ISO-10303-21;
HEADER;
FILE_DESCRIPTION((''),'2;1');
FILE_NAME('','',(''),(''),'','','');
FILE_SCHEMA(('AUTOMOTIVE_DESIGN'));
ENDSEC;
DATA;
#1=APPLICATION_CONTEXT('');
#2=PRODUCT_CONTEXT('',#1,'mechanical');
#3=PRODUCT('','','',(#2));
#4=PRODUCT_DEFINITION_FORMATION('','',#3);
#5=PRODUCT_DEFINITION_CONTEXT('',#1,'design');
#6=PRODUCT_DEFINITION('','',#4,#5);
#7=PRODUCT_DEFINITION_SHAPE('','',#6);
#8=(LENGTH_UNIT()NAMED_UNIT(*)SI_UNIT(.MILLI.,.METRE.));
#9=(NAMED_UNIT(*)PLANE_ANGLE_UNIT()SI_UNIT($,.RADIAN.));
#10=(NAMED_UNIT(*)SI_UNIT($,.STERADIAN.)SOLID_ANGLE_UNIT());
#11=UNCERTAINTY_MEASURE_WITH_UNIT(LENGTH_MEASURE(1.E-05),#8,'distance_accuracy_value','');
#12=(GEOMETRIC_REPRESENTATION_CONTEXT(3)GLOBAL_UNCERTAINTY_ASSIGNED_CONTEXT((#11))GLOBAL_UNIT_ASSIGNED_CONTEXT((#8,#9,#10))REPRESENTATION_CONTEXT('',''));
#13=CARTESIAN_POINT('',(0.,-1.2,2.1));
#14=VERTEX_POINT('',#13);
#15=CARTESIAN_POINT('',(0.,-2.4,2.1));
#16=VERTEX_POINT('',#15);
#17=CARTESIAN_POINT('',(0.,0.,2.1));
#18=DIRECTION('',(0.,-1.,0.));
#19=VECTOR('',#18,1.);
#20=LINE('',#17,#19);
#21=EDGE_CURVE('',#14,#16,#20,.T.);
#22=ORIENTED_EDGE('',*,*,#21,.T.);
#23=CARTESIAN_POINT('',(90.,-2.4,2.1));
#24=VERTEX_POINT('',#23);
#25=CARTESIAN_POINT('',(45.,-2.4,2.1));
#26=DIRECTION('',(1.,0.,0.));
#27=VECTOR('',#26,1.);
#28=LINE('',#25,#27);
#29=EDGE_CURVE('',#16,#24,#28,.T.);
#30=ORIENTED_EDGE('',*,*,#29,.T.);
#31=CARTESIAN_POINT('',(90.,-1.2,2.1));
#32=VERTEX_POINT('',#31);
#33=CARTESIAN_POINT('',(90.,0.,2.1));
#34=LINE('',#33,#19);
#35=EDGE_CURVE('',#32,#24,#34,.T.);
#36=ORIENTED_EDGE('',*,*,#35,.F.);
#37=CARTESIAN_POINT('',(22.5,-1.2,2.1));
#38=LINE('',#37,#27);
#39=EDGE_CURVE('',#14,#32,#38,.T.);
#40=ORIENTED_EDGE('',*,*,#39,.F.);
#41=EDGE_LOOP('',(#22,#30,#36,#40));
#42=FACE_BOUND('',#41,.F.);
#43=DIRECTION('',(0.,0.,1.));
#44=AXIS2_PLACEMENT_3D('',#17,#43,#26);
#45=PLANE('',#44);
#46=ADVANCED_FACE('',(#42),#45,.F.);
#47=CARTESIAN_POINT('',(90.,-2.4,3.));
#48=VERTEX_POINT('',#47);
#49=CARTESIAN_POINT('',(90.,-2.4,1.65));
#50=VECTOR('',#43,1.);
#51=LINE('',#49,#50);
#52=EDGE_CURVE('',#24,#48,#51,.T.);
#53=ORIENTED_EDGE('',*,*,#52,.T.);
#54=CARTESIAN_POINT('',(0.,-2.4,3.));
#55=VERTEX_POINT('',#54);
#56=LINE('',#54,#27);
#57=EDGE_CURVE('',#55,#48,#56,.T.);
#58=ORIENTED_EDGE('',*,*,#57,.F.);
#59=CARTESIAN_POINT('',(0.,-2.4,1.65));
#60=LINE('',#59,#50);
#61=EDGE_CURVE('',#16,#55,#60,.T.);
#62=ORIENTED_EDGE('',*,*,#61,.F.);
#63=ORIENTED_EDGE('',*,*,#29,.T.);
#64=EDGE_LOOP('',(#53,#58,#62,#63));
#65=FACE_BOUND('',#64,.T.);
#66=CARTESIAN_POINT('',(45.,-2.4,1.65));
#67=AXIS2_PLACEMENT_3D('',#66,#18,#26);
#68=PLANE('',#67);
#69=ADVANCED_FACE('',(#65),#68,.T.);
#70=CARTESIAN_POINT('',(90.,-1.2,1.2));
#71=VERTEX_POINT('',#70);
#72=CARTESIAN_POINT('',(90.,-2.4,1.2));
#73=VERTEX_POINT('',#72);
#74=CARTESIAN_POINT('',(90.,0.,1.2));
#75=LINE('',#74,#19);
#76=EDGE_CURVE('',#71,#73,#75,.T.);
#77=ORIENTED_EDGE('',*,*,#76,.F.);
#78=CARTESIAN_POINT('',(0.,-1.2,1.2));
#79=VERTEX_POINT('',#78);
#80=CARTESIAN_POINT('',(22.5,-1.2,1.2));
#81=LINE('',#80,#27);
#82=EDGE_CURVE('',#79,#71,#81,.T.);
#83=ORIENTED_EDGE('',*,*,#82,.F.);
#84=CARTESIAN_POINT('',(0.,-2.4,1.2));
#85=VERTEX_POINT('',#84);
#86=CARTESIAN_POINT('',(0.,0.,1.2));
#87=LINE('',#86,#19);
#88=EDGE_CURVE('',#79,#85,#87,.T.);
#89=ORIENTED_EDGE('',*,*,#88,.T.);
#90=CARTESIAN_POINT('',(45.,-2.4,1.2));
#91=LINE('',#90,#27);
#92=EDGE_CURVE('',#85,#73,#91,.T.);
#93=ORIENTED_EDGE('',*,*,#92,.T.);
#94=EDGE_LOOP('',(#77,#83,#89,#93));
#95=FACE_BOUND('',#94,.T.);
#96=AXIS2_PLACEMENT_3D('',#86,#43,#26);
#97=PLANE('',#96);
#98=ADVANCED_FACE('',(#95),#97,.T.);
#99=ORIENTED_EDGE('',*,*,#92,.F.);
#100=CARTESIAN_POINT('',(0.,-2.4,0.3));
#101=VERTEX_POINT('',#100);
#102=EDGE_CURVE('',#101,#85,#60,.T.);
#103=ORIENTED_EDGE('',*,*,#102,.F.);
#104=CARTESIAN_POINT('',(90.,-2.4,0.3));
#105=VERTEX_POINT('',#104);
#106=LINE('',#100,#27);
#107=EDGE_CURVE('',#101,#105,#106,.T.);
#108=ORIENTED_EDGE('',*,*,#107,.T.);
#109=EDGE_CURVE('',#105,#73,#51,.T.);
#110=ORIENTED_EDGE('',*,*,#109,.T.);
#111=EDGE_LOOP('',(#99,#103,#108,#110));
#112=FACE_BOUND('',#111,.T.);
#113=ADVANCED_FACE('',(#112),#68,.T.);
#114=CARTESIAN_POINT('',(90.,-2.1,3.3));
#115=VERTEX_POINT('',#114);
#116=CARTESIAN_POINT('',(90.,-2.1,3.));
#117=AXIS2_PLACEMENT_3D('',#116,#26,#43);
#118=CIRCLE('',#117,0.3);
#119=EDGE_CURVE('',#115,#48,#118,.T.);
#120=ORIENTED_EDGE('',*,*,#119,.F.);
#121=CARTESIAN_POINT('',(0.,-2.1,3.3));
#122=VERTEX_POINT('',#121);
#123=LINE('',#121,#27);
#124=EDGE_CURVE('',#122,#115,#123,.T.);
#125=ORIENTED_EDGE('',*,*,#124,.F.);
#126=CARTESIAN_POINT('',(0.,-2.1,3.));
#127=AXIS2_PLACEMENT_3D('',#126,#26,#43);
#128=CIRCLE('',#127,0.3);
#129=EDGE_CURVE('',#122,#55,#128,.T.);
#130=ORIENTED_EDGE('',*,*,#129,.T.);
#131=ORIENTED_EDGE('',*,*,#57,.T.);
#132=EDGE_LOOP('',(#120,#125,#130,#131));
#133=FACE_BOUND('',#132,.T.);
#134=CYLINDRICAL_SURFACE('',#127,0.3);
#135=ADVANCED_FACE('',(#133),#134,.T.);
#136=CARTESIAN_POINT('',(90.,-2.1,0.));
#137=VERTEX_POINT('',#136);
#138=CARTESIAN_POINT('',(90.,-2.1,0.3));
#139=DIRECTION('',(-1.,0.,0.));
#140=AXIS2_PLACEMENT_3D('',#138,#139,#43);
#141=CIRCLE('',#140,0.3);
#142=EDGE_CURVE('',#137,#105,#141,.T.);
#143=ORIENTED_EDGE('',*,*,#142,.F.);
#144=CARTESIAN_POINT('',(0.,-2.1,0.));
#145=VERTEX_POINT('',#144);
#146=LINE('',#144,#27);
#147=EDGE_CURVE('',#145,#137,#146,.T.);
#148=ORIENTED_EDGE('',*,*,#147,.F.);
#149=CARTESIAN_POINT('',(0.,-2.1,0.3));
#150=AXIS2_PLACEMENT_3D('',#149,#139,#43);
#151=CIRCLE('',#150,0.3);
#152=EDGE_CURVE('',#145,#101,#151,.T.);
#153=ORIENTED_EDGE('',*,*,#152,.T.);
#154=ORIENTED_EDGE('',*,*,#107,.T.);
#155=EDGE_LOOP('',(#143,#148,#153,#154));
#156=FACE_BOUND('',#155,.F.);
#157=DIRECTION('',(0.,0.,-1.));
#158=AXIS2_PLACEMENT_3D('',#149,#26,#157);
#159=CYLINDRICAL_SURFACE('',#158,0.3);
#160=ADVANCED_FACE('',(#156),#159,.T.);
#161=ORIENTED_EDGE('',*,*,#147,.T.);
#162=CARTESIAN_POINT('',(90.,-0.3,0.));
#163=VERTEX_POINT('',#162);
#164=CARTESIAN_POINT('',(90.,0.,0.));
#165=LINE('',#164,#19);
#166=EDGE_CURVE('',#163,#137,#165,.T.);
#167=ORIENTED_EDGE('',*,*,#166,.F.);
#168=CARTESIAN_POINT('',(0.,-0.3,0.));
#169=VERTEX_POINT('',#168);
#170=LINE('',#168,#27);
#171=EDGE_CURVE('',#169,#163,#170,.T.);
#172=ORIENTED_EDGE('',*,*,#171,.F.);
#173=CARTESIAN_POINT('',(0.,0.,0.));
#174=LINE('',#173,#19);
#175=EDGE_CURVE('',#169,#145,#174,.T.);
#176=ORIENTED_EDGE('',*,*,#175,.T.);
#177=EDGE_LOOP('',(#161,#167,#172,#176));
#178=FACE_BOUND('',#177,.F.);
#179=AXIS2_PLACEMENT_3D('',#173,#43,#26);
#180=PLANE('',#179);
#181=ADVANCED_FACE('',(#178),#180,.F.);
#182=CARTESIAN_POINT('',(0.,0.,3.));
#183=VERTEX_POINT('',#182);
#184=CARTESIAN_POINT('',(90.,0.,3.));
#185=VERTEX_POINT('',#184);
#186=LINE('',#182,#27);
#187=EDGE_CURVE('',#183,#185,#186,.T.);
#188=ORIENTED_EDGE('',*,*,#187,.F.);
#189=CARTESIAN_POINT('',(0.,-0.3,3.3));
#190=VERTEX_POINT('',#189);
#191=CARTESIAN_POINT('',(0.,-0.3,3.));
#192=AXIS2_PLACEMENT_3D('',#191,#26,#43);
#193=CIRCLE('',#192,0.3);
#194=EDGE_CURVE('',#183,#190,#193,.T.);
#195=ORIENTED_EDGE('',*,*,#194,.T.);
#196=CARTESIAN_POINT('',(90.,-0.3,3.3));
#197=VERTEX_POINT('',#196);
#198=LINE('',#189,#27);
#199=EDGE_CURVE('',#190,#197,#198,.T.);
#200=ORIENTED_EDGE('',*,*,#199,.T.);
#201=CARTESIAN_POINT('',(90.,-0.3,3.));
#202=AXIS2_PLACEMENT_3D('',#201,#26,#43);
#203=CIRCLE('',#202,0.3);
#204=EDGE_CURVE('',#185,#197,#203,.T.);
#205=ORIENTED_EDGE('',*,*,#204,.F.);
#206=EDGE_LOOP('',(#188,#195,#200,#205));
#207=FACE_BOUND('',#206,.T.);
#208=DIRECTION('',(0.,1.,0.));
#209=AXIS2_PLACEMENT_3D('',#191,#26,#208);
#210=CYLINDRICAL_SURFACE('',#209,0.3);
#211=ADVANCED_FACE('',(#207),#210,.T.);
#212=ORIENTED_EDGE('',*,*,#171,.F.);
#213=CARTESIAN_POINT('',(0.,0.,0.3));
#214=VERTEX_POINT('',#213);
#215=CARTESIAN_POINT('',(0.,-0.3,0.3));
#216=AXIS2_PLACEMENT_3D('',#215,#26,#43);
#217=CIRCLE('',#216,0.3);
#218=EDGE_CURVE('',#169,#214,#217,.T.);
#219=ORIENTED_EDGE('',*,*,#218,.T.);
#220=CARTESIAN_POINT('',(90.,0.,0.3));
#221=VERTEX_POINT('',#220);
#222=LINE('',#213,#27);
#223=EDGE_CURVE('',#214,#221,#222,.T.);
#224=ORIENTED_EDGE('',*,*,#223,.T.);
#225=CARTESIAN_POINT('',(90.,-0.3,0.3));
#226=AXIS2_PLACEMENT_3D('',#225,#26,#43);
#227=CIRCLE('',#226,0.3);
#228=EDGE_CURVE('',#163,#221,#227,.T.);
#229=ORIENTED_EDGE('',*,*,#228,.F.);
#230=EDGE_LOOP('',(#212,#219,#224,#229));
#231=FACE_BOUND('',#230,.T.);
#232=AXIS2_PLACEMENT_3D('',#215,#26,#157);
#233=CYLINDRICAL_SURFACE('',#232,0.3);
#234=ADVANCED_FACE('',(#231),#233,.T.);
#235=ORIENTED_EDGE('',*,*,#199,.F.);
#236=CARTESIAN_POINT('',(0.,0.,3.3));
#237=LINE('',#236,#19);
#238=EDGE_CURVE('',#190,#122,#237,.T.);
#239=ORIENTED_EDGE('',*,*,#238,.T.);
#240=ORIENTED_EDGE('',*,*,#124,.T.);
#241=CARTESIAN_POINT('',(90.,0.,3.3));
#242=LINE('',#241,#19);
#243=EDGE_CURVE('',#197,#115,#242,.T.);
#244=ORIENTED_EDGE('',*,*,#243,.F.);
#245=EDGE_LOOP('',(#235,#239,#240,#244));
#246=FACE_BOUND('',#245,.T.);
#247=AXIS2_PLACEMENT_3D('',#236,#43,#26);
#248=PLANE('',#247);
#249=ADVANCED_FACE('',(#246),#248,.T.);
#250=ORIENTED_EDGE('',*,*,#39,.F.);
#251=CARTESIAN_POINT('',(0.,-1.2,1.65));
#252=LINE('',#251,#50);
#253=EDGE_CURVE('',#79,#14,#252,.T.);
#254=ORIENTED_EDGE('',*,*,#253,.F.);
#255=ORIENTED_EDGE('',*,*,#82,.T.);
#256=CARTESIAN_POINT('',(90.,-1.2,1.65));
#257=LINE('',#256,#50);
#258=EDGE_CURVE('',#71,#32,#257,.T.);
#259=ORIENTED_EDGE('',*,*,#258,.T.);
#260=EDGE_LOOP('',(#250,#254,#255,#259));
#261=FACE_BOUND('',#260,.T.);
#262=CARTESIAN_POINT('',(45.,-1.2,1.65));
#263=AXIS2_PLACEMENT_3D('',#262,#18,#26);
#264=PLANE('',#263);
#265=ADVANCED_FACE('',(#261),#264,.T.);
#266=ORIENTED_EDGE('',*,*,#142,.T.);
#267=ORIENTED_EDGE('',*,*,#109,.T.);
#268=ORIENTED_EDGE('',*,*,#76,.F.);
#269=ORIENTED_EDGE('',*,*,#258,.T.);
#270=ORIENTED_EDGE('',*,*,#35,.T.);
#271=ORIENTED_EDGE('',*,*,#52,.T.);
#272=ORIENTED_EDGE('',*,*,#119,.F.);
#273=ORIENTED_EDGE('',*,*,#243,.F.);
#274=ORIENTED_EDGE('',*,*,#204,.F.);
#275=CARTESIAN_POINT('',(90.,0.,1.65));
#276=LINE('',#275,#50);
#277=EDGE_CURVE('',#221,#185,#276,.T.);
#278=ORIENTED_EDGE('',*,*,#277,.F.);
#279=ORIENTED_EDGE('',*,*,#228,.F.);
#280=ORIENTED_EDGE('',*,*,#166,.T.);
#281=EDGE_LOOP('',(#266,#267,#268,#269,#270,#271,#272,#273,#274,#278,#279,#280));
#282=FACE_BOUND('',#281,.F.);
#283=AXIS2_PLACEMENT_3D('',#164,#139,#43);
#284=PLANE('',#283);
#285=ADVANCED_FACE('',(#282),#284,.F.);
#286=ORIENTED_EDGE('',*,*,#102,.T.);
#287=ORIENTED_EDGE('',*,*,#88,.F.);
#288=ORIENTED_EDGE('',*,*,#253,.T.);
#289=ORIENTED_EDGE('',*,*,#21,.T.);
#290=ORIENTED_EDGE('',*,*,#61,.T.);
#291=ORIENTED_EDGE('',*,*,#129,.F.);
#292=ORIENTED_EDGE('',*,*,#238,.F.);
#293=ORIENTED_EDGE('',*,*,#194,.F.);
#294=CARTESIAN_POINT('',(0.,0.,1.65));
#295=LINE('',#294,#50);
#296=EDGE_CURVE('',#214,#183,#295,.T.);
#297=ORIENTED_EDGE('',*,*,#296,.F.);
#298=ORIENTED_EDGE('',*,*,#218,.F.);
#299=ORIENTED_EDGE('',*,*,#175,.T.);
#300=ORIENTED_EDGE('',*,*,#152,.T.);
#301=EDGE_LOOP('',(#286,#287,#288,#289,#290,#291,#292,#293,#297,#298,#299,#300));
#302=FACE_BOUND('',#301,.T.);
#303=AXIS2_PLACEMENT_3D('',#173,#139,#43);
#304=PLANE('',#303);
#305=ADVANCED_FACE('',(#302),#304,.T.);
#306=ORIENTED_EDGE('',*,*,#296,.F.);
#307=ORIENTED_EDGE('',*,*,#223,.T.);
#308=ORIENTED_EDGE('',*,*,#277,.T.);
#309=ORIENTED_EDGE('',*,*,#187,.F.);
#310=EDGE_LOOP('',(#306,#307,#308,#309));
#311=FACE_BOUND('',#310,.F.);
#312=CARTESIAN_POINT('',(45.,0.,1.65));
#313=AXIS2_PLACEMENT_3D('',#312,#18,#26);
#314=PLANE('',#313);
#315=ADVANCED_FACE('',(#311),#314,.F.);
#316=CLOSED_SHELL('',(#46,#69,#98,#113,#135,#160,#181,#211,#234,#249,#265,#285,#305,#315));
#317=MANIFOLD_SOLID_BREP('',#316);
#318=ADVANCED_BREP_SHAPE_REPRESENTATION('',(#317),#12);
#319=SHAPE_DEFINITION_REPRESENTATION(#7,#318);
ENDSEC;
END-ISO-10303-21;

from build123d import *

# Parameters (mm, degrees)
F0_W     = 90
F0_H     = 3.3
F1_DEPTH = 2.4
F2_T     = -1.2
F3_R     = 0.3


with BuildPart() as f1:
    # F0 (on Front) → F1 (new body)
    with BuildSketch(Plane.XZ):
        with Locations((45, 1.65)):
            Rectangle(F0_W, F0_H)
    extrude(amount=F1_DEPTH)

    # F2
    f2_openings = [f1.faces().sort_by_distance(p)[0] for p in [
        (45, -2.4, 1.65),
        (90, -1.2, 1.65),
        (0, -1.2, 1.65),
    ]]
    offset(amount=F2_T, openings=f2_openings)

    # F3
    f3_edges = [f1.edges().sort_by_distance(p)[0] for p in [
        (45, -2.4, 3.3),
        (45, 0, 3.3),
        (45, -2.4, 0),
        (45, 0, 0),
    ]]
    fillet(f3_edges, radius=F3_R)


solid = f1.part
